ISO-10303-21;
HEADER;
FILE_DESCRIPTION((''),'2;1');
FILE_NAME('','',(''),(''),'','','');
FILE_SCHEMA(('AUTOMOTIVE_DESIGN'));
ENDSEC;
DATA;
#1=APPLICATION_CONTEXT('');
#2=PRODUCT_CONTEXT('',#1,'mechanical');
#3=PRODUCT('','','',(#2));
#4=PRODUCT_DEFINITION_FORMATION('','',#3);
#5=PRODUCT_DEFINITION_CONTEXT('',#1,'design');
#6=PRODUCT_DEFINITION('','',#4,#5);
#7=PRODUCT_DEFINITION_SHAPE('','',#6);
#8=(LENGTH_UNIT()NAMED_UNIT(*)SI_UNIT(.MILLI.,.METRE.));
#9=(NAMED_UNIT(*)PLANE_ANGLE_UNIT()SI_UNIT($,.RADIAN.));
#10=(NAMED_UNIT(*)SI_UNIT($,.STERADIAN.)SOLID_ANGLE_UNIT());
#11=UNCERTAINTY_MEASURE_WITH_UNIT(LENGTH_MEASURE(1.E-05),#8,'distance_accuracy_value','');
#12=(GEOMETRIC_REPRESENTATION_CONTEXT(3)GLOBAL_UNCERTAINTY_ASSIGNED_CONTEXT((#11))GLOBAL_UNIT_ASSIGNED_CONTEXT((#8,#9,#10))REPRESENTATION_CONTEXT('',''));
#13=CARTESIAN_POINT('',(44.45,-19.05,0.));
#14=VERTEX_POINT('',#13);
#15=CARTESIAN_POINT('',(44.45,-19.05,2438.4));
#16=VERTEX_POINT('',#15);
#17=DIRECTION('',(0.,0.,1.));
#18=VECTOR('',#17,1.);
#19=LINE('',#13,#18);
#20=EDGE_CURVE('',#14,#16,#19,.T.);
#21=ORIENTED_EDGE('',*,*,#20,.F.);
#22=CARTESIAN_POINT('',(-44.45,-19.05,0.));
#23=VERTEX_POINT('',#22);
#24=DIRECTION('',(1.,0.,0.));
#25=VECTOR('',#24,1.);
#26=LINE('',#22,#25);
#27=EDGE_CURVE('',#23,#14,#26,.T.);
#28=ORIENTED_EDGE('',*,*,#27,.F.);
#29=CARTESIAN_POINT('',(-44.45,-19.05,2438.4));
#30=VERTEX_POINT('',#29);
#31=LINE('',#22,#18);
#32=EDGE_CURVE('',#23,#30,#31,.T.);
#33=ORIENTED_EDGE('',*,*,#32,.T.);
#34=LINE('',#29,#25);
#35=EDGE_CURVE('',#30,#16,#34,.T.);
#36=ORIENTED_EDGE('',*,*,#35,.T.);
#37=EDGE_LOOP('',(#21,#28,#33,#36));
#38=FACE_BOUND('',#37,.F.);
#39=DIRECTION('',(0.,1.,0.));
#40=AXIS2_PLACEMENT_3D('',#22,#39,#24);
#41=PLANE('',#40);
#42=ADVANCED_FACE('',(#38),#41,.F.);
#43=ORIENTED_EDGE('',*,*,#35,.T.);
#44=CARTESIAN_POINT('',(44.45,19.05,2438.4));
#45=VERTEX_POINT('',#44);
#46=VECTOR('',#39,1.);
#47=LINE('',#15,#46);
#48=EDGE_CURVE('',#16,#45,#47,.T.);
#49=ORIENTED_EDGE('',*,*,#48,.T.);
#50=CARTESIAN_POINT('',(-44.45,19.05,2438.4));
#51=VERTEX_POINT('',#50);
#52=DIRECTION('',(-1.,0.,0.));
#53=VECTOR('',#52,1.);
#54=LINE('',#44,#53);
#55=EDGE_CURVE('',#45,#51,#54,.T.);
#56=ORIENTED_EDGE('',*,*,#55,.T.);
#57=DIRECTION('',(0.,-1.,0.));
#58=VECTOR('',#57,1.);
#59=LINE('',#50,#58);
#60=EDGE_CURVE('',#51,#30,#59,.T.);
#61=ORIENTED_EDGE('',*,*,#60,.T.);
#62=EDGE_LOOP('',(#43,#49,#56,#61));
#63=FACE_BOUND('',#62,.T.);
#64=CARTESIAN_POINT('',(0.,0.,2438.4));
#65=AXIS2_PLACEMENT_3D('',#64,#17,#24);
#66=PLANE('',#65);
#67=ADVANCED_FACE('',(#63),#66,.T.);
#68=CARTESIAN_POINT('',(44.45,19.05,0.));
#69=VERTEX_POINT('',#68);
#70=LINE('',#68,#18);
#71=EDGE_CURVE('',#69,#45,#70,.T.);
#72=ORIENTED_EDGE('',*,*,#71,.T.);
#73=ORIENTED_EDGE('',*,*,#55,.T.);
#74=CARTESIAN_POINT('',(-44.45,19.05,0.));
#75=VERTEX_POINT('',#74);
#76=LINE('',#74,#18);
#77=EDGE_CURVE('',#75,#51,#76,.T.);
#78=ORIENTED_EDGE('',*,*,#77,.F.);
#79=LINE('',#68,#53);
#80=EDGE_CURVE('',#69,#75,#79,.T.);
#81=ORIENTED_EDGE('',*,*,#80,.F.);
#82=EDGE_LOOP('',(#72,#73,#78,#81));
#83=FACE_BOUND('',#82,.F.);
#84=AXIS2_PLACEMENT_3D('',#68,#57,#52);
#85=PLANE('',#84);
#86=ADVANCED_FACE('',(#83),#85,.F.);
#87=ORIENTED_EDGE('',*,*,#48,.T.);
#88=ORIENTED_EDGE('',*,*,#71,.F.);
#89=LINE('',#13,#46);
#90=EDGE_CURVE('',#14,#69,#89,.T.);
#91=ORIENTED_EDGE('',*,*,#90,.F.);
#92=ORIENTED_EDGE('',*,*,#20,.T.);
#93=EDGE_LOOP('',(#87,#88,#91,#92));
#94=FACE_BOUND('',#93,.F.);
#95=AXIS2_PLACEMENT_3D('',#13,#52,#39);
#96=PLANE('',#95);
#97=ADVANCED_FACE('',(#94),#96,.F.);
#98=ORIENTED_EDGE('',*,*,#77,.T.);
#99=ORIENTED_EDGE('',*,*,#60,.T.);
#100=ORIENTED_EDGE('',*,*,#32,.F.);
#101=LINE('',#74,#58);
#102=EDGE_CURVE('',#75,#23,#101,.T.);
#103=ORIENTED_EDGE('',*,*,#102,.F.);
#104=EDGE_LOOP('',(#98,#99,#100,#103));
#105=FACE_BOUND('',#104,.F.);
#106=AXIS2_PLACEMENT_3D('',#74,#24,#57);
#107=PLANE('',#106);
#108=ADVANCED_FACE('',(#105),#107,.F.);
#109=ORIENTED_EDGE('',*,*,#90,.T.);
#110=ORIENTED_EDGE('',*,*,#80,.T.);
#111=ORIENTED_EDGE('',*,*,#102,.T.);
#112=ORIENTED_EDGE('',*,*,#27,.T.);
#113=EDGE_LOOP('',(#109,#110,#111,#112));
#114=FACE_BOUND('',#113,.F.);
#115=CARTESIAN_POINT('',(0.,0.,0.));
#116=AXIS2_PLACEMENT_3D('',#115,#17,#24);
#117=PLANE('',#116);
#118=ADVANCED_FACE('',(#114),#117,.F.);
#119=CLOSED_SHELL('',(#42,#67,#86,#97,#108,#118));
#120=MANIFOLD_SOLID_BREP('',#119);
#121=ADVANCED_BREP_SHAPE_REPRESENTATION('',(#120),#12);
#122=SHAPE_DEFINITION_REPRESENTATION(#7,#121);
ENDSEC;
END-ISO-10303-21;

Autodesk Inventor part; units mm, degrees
ref_plane "YZ Plane" through (0, 0, 0) normal (1, 0, 0) x (0, 1, 0)
ref_plane "XZ Plane" through (0, 0, 0) normal (0, 1, 0) x (-1, 0, 0)
ref_plane "XY Plane" through (0, 0, 0) normal (0, 0, 1) x (1, 0, 0)
sketch "Sketch1" plane through (0, 0, 0) normal (0, 0, 1) x (1, 0, 0)
  line L0 (-44.45, -19.05) -> (44.45, -19.05)
  line L1 (44.45, -19.05) -> (44.45, 19.05)
  line L2 (44.45, 19.05) -> (-44.45, 19.05)
  line L3 (-44.45, 19.05) -> (-44.45, -19.05)
  line L4 (-44.45, -19.05) -> (44.45, 19.05) construction
  line L5 (44.45, -19.05) -> (-44.45, 19.05) construction
  point P0 (0, 0)
  dimension "d0" = 88.9
  dimension "d1" = 38.1
extrude "Extrusion1" add sketch "Sketch1" along normal blind 2438.4
properties part number "2x4x96"
